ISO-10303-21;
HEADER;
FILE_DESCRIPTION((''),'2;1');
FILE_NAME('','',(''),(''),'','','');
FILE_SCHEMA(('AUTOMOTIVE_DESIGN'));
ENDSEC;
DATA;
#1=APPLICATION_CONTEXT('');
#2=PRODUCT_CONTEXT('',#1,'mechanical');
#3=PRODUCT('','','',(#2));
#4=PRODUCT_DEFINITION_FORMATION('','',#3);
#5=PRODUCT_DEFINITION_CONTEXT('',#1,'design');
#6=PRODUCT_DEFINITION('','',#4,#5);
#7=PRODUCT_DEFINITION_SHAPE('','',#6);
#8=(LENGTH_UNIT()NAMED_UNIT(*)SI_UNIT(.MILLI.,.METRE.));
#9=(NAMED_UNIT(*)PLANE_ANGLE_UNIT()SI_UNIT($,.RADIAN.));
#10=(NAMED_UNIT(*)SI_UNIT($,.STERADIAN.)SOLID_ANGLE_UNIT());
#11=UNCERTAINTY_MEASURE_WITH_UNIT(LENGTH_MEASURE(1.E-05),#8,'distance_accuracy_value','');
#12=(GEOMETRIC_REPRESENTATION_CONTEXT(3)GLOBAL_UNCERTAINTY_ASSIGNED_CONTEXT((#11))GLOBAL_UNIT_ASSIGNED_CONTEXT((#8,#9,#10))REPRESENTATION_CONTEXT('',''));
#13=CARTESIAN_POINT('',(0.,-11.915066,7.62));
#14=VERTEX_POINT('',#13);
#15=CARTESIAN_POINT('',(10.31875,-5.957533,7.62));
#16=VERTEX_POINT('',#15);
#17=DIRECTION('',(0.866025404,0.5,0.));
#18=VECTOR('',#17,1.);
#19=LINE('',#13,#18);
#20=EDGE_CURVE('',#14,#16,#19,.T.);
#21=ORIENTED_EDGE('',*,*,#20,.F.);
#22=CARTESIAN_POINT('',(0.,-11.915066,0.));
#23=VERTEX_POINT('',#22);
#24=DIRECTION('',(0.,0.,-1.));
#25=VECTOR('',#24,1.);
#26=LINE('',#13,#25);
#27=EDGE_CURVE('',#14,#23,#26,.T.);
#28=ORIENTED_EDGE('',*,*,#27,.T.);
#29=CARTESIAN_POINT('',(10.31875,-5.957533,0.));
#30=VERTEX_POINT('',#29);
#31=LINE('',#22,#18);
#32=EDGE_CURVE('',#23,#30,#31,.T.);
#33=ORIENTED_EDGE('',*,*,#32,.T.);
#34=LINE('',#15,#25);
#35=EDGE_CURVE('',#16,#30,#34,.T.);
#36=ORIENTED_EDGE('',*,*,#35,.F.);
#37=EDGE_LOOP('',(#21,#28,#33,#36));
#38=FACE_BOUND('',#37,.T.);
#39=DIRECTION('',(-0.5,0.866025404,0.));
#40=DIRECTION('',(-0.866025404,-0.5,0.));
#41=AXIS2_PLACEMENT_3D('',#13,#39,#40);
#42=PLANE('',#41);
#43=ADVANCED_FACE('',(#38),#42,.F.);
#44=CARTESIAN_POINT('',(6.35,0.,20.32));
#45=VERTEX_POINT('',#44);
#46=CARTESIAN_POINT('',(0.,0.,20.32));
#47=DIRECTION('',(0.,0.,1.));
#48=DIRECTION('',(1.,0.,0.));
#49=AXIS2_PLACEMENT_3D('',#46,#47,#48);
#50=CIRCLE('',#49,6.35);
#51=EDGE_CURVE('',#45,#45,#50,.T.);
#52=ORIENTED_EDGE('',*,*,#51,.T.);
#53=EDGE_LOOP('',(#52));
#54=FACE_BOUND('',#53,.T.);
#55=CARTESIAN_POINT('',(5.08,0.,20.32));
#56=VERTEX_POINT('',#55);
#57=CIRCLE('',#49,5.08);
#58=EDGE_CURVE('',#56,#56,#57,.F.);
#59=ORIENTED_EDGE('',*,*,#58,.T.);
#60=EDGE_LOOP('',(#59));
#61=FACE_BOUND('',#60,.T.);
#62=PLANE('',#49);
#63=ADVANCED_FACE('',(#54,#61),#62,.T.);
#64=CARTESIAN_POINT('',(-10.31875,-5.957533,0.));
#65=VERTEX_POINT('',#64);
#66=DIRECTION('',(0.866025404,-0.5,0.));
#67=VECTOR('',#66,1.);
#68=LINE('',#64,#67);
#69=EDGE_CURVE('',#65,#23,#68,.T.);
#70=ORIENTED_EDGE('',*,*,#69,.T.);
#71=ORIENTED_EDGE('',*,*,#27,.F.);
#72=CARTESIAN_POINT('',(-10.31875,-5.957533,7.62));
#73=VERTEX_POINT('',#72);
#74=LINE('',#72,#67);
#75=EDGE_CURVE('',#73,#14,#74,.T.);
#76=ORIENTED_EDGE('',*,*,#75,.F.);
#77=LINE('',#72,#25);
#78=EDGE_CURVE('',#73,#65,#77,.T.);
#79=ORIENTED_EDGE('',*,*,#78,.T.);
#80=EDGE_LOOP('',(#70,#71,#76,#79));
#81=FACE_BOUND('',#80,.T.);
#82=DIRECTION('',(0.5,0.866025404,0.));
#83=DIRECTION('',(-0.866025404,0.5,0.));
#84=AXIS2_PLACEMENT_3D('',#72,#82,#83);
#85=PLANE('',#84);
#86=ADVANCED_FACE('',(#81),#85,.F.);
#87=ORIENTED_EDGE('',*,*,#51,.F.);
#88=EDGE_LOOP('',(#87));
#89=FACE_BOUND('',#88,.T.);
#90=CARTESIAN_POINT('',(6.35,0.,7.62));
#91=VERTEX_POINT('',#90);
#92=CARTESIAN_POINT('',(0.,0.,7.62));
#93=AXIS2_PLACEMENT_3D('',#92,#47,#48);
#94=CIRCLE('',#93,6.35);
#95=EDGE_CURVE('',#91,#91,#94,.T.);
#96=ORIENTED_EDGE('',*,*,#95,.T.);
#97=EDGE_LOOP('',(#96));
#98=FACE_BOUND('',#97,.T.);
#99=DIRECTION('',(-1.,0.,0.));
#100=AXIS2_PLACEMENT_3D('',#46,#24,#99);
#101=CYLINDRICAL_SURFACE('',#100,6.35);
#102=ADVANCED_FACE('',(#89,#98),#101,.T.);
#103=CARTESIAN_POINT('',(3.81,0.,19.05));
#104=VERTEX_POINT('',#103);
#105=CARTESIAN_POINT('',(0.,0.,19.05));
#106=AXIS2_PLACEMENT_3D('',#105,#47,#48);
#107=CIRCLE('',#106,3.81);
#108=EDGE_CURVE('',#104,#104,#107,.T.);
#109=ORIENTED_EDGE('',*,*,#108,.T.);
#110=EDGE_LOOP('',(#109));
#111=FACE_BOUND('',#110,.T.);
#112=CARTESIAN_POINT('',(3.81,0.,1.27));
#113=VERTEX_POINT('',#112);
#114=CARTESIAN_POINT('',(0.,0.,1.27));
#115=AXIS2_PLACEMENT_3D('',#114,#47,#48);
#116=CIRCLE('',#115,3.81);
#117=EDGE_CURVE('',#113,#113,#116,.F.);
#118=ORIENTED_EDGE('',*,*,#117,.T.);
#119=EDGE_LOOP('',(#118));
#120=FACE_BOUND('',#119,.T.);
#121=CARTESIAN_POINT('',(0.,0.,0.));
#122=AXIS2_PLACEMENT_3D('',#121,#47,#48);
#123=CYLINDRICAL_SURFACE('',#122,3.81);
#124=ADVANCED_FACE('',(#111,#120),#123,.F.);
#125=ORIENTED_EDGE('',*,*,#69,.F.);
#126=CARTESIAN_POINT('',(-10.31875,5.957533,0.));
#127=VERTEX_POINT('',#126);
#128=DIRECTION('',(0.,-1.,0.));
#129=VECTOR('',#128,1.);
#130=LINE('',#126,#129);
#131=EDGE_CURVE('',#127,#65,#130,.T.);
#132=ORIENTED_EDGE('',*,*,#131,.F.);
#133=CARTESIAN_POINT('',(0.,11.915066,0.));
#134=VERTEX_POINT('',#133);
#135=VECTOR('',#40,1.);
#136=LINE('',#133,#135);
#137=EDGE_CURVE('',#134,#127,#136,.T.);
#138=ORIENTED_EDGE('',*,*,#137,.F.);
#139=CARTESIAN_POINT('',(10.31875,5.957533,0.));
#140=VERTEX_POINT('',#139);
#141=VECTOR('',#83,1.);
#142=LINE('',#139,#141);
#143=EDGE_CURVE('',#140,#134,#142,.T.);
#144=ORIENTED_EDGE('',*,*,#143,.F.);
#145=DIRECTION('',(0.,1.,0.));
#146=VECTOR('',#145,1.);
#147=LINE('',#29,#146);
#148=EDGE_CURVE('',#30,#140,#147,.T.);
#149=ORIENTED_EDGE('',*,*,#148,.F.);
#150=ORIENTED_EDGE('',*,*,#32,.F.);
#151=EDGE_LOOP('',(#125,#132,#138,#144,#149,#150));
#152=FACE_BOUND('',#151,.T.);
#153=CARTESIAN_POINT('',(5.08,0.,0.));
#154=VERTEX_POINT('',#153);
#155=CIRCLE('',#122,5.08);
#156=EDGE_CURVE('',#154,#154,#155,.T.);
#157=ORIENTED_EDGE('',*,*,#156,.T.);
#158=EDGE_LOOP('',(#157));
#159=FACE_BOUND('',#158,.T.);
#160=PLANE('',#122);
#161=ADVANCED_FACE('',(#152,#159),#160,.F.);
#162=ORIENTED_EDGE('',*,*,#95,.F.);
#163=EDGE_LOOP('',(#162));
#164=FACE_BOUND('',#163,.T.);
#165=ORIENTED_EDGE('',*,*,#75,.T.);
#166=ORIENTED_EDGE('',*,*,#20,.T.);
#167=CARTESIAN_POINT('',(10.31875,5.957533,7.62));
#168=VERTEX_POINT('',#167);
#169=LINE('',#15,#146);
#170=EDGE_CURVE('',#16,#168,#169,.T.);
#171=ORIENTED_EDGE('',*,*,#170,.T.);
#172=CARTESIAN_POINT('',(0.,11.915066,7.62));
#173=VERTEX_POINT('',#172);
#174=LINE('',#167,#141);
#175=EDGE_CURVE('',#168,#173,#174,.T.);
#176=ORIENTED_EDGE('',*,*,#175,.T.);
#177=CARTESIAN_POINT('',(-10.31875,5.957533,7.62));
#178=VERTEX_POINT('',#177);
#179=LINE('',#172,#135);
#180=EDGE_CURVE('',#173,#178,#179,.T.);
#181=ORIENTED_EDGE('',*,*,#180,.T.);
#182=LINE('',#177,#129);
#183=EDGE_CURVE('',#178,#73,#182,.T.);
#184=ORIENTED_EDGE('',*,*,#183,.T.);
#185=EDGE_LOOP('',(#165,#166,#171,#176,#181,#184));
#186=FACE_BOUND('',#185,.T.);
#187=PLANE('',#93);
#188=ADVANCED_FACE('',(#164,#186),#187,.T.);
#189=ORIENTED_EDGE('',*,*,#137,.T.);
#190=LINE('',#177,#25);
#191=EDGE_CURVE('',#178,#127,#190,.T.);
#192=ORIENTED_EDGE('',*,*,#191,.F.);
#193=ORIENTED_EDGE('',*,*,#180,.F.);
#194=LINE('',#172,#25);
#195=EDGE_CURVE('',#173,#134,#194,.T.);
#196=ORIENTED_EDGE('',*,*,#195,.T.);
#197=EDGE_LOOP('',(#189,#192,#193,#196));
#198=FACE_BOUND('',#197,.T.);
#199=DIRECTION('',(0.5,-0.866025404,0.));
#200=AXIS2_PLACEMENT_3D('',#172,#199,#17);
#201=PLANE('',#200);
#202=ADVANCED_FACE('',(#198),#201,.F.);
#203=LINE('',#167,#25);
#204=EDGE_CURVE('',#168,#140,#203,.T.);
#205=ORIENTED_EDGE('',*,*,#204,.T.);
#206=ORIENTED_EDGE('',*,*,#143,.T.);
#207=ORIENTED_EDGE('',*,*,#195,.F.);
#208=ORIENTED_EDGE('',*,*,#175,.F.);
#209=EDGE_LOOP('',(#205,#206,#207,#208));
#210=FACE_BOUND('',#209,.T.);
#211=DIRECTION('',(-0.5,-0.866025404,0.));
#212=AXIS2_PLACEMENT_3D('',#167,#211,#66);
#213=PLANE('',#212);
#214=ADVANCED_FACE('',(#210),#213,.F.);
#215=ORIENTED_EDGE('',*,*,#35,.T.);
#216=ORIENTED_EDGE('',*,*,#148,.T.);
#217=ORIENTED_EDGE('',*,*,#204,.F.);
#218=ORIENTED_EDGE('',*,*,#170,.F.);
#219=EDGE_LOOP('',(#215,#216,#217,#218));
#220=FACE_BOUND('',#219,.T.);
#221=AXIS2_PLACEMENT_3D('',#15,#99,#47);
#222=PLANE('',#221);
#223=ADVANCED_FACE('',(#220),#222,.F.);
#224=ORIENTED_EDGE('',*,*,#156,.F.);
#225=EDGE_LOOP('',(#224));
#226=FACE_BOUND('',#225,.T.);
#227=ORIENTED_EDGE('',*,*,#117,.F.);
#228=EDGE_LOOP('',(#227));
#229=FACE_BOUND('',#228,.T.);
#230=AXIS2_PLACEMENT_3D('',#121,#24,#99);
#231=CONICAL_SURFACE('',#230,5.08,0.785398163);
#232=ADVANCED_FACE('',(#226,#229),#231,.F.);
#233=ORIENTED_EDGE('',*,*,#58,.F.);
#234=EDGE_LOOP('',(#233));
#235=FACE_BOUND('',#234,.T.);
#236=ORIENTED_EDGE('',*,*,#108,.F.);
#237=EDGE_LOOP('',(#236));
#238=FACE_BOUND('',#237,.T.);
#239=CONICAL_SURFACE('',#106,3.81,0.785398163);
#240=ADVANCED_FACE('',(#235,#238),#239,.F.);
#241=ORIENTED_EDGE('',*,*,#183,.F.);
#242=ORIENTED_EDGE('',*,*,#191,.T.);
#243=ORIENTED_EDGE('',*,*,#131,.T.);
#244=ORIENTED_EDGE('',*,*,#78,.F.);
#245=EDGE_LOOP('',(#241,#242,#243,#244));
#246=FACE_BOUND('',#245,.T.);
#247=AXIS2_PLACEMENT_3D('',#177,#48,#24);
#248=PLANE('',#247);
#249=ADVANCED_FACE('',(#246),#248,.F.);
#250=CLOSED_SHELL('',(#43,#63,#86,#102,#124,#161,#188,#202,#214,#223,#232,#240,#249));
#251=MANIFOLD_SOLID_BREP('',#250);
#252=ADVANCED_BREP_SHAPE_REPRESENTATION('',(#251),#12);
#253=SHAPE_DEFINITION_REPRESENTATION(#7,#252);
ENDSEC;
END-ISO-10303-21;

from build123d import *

# Parameters (mm, degrees)
BOSS_EXTRUDE1_DEPTH = 7.62
SKETCH2_R           = 6.35
BOSS_EXTRUDE2_DEPTH = 12.7
SKETCH3_R           = 3.81
CUT_EXTRUDE1_DEPTH  = 21.32
CHAMFER1_SIZE       = 1.27


with BuildPart() as part:
    # Sketch1 → Boss-Extrude1 (new body)
    with BuildSketch(Plane.XY):
        Polygon((10.31875, 5.95753309), (0, 11.91506618), (-10.31875, 5.95753309), (-10.31875, -5.95753309), (0, -11.91506618), (10.31875, -5.95753309), align=None)
    extrude(amount=BOSS_EXTRUDE1_DEPTH)

    # Sketch2 → Boss-Extrude2 (add)
    with BuildSketch(Plane.XY.offset(7.62)):
        Circle(SKETCH2_R)
    extrude(amount=BOSS_EXTRUDE2_DEPTH)

    # Sketch3 → Cut-Extrude1 (cut, through all)
    with BuildSketch(Plane.XY.offset(20.32)):
        Circle(SKETCH3_R)
    extrude(amount=-CUT_EXTRUDE1_DEPTH, mode=Mode.SUBTRACT)

    # Chamfer1
    chamfer1_edges = [part.edges().sort_by_distance(p)[0] for p in [
        (-3.81, 0, 0),
        (-3.81, 0, 20.32),
    ]]
    chamfer(chamfer1_edges, length=CHAMFER1_SIZE)


solid = part.part
